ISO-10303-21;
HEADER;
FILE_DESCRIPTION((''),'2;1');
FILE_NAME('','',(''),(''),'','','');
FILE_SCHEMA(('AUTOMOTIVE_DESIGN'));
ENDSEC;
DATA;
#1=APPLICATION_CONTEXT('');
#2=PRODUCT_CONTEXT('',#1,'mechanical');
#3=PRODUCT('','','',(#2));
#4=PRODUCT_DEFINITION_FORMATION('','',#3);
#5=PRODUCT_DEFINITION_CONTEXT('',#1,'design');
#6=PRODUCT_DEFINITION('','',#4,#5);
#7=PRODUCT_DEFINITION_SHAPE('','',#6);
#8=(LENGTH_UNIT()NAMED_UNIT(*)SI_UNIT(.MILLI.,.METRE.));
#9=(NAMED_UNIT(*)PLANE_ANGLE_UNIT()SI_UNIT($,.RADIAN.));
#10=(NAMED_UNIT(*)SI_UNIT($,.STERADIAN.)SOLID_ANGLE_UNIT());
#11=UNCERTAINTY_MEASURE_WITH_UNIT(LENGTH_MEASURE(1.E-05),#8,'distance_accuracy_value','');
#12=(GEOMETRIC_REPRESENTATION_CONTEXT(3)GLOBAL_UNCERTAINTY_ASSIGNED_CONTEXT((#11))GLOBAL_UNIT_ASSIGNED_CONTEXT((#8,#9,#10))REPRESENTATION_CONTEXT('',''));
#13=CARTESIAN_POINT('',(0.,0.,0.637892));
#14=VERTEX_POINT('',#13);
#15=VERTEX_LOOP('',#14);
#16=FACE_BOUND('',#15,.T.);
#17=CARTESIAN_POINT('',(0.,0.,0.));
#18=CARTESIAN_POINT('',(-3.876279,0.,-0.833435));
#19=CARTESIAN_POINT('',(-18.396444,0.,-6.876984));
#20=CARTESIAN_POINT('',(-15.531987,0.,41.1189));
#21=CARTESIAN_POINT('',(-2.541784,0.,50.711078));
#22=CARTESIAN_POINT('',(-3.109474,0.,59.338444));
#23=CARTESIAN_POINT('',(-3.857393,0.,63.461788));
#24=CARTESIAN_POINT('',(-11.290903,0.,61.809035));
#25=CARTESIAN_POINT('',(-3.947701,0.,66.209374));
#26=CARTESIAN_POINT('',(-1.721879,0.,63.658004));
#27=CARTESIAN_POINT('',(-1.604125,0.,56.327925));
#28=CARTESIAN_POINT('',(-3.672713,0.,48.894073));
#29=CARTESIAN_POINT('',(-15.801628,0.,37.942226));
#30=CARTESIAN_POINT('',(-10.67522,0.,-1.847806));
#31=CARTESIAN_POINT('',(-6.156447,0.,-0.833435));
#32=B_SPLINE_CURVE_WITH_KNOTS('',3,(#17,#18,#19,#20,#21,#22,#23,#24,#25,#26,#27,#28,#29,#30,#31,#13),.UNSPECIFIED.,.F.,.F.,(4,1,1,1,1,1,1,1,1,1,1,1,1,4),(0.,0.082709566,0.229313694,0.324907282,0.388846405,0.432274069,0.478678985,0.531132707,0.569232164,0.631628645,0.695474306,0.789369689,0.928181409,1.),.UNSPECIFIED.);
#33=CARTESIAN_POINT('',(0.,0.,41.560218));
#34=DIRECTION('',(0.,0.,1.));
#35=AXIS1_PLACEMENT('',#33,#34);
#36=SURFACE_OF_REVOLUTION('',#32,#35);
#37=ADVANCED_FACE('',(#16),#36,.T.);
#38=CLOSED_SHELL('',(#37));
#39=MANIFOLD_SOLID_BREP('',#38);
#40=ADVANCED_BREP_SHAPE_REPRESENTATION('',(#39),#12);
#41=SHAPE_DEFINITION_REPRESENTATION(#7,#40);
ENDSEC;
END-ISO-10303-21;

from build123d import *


with BuildPart() as f1:
    # F0 (on Front) → F1 (revolve)
    with BuildSketch(Plane.XZ):
        with BuildLine():
            add(Edge.make_bspline(
                [(0, 0), (-3.8762788809, -0.8334350814), (-18.396444161, -6.8769836899), (-15.5319871862, 41.1188998006), (-2.5417838566, 50.7110777786), (-3.1094743413, 59.338444472), (-3.8573929391, 63.4617881531), (-11.2909025502, 61.8090345674), (-3.9477007379, 66.2093742232), (-1.7218793141, 63.6580044454), (-1.6041254712, 56.327924688), (-3.6727125214, 48.894073062), (-15.8016283182, 37.9422260024), (-10.675219647, -1.8478062581), (-6.1564473807, -0.8334350814), (0, 0.6378922844)],
                knots=[0, 0, 0, 0, 0.082709566, 0.2293136942, 0.3249072824, 0.3888464052, 0.4322740694, 0.4786789849, 0.5311327074, 0.5692321637, 0.6316286451, 0.6954743056, 0.7893696892, 0.9281814094, 1, 1, 1, 1], degree=3))
            Line((0, 0), (0, 0.6378922844))
        make_face()
    revolve(axis=Axis((0, 0, 41.5602177382), (0, 0, 1)))


solid = f1.part
